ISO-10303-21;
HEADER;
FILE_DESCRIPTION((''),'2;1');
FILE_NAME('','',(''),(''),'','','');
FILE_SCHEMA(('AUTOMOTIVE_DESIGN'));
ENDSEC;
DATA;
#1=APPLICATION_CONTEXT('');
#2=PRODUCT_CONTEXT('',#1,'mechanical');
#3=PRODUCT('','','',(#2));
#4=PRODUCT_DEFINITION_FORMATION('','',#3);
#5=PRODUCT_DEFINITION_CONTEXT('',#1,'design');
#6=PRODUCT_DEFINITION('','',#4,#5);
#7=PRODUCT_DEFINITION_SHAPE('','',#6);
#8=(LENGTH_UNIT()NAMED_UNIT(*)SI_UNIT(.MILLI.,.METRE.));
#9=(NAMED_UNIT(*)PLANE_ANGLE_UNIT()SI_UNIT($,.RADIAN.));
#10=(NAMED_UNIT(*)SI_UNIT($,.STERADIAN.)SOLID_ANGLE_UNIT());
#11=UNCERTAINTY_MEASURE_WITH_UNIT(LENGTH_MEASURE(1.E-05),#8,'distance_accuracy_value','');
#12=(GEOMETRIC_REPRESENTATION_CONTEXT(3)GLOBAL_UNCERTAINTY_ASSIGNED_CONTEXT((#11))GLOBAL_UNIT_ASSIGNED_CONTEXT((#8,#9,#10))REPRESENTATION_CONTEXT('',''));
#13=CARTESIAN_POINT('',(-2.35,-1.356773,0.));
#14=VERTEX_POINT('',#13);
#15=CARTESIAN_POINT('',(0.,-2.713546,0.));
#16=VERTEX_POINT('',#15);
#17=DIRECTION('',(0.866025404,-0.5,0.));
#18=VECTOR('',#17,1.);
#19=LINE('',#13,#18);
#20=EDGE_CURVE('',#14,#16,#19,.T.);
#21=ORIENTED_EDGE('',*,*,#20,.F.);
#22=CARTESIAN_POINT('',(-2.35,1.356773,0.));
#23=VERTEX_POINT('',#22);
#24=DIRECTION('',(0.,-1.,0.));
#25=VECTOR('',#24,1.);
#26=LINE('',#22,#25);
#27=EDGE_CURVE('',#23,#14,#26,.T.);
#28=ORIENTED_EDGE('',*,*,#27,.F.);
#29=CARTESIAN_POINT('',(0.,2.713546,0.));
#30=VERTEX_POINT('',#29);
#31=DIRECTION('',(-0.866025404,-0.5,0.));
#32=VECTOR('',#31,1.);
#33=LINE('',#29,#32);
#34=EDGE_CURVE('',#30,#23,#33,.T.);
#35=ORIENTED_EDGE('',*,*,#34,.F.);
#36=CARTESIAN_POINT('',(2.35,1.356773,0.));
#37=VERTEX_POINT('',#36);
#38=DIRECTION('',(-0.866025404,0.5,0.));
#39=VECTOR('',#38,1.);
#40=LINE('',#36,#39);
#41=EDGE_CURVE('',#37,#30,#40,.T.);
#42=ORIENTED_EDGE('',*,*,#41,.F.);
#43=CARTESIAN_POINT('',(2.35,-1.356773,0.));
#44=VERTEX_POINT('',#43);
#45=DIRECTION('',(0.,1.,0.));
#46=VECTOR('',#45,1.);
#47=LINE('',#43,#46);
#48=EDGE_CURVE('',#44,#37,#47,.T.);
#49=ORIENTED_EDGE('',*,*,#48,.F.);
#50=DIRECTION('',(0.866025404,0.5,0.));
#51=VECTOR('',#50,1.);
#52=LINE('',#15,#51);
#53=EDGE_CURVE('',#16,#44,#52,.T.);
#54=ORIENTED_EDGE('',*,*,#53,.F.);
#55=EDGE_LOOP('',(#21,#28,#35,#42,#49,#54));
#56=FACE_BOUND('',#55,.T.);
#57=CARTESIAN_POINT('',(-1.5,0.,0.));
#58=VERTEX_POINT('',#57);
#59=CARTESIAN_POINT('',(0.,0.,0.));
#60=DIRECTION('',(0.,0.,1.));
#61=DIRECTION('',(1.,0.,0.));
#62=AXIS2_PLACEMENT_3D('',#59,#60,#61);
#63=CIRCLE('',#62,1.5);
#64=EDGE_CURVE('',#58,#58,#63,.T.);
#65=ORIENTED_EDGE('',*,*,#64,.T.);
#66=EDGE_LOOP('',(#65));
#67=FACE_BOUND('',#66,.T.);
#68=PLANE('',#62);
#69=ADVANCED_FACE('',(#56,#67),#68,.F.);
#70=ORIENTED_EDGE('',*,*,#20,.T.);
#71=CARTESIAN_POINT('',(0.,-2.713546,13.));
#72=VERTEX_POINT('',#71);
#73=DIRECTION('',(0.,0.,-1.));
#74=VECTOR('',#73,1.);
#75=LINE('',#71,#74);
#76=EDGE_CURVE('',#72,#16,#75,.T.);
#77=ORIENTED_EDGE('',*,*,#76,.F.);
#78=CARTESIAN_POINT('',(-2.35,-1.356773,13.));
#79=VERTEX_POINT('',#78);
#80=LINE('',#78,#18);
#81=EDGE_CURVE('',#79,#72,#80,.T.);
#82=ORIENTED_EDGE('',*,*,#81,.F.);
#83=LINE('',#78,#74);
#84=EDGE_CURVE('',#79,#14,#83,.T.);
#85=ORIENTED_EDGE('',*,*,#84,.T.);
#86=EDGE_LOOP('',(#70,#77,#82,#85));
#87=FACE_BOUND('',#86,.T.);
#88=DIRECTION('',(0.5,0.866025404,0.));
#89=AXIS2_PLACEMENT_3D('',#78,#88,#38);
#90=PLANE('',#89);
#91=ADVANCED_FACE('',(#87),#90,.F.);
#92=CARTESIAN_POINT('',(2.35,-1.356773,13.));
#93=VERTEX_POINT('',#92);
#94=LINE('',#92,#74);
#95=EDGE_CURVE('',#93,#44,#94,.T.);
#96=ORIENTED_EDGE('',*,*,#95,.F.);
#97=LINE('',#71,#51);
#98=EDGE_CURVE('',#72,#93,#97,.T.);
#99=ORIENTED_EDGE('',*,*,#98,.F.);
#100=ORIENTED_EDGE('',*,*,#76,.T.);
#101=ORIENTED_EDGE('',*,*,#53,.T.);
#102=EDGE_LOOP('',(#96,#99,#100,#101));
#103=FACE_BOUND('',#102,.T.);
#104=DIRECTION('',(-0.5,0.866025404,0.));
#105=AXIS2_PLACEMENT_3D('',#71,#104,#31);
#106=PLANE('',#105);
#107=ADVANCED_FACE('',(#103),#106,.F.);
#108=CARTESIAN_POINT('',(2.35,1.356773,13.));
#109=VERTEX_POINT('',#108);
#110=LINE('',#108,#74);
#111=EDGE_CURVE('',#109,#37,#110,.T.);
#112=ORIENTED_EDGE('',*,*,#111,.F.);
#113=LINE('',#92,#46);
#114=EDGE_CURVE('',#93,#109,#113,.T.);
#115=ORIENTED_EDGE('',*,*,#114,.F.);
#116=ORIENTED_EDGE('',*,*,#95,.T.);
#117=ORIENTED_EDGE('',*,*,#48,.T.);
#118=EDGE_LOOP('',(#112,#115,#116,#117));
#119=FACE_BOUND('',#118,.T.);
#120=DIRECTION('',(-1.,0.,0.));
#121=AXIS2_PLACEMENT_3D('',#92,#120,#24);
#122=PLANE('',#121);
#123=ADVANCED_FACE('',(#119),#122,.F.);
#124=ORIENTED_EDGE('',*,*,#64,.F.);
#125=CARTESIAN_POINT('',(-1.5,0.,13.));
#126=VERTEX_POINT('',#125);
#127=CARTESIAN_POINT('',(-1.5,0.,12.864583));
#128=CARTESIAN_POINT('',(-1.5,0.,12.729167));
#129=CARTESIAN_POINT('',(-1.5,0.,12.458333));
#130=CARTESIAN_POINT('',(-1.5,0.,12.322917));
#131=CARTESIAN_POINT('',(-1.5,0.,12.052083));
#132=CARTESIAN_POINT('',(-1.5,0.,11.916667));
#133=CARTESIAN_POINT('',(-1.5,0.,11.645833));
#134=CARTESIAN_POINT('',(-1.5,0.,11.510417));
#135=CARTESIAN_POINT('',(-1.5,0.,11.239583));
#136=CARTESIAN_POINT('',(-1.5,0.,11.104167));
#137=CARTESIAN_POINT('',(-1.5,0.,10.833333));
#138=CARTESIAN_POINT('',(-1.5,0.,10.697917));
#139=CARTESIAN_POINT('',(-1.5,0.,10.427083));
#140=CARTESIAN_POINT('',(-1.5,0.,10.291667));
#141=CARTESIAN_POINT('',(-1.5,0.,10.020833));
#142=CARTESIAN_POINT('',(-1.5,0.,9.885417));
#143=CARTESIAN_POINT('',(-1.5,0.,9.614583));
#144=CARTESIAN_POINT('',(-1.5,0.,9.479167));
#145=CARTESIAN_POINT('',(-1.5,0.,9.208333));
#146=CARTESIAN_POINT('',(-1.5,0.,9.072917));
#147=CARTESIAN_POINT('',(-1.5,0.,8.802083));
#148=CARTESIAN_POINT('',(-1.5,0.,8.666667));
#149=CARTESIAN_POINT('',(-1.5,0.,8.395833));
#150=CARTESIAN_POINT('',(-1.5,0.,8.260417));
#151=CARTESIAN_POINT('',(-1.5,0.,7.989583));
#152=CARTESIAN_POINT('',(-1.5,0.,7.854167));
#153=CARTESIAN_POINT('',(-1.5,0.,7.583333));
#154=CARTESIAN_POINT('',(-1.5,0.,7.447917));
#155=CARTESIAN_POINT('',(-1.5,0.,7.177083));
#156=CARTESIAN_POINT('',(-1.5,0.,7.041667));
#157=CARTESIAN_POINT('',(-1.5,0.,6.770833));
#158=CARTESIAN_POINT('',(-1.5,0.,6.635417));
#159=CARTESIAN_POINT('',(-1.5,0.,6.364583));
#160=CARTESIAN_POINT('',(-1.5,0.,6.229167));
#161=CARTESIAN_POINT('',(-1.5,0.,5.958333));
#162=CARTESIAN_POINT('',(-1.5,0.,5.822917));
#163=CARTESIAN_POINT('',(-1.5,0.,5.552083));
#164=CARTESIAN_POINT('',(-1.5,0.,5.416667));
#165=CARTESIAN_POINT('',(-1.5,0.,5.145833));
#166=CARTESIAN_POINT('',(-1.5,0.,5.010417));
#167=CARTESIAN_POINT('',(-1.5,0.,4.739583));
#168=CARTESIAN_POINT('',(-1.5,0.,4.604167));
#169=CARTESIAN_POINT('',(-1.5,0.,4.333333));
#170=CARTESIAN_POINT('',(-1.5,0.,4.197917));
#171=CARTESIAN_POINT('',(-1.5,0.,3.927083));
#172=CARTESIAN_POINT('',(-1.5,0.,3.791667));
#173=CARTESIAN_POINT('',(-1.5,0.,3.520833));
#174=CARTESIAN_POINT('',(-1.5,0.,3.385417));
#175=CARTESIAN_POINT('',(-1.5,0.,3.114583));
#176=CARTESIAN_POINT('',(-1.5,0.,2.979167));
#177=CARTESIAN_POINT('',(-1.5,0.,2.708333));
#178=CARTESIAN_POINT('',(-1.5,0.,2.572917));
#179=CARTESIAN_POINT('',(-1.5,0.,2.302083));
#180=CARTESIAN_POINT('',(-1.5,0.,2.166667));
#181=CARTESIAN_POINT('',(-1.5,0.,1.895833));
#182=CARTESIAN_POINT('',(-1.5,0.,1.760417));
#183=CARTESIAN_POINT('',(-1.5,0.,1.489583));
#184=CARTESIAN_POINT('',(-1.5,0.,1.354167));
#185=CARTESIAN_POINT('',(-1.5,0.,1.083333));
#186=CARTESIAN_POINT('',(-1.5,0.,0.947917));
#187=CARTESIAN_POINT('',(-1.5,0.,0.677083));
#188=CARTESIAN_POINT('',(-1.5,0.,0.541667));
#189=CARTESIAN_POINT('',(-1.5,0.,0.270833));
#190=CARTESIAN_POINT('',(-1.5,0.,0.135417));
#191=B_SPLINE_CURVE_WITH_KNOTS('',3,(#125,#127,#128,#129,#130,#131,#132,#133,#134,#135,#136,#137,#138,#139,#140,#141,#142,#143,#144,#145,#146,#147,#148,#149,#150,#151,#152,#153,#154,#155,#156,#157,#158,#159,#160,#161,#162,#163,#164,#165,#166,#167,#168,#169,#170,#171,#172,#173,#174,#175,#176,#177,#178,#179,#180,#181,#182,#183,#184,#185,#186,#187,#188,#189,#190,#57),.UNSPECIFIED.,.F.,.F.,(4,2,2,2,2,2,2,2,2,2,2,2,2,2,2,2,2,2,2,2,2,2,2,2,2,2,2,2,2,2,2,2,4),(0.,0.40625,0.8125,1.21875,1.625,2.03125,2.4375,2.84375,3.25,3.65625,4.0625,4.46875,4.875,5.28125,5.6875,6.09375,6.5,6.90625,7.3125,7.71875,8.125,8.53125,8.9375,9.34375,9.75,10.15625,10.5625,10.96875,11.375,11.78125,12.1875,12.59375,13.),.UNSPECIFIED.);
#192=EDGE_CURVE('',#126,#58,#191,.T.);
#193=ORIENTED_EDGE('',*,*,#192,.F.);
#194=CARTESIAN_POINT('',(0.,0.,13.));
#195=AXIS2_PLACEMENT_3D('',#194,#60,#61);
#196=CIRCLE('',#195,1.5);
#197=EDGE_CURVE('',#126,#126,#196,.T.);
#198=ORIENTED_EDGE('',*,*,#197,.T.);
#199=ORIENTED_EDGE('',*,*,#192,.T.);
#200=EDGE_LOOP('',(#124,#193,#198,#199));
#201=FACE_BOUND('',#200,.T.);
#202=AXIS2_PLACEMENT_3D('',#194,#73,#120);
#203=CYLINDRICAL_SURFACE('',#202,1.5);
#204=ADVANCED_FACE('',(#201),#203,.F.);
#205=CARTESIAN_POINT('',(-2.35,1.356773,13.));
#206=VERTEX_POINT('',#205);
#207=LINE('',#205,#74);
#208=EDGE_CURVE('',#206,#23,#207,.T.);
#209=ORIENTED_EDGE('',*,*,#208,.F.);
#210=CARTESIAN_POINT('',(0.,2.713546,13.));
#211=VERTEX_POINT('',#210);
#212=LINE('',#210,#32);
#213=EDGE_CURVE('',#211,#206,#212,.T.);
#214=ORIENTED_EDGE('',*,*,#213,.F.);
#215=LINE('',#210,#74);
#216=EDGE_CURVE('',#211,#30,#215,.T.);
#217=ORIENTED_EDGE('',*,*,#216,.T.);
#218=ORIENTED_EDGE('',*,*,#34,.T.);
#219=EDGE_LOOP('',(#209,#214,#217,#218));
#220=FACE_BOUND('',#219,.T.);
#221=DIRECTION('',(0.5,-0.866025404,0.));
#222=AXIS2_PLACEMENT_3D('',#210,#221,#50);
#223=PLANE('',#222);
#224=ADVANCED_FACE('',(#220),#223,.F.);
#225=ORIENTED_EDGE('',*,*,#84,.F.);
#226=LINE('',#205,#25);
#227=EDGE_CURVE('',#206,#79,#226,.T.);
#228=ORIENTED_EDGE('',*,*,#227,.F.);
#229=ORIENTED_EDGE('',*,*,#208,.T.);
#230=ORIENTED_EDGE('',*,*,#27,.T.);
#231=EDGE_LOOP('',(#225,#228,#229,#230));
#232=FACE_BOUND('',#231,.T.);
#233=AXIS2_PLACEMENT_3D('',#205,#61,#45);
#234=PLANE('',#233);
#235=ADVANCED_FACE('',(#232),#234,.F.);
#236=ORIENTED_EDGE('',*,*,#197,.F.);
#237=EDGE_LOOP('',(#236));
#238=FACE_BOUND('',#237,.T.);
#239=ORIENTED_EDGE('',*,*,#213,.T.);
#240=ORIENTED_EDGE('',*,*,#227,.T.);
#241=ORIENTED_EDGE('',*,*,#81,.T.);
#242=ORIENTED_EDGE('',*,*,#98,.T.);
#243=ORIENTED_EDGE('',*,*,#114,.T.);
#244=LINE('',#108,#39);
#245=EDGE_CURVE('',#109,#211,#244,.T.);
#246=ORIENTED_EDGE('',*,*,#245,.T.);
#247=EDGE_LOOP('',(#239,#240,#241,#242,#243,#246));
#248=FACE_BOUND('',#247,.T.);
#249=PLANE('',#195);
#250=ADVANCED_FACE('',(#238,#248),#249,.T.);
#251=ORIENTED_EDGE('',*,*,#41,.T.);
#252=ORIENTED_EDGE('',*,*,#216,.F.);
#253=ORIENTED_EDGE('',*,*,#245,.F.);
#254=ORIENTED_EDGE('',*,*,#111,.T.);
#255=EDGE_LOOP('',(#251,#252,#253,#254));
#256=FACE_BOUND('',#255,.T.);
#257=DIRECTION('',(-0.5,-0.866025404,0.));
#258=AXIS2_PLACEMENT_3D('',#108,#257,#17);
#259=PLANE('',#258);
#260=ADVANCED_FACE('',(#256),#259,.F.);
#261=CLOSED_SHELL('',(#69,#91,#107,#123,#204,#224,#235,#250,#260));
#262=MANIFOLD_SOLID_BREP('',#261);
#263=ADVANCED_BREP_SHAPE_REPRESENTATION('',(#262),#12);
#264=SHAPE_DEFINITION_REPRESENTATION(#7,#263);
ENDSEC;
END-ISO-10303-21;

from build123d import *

# Parameters (mm, degrees)
SKETCH_1_R      = 1.5
EXTRUDE_1_DEPTH = 13


with BuildPart() as part:
    # 草图1 → 凸台-拉伸1 (new body)
    with BuildSketch(Plane.XY):
        Polygon((2.35, -1.356773133), (2.35, 1.356773133), (0, 2.713546265), (-2.35, 1.356773133), (-2.35, -1.356773133), (0, -2.713546265), align=None)
        with Locations(Location((0, 0, 0), (0, 0, 180))):
            Circle(SKETCH_1_R, mode=Mode.SUBTRACT)
    extrude(amount=EXTRUDE_1_DEPTH)


solid = part.part
